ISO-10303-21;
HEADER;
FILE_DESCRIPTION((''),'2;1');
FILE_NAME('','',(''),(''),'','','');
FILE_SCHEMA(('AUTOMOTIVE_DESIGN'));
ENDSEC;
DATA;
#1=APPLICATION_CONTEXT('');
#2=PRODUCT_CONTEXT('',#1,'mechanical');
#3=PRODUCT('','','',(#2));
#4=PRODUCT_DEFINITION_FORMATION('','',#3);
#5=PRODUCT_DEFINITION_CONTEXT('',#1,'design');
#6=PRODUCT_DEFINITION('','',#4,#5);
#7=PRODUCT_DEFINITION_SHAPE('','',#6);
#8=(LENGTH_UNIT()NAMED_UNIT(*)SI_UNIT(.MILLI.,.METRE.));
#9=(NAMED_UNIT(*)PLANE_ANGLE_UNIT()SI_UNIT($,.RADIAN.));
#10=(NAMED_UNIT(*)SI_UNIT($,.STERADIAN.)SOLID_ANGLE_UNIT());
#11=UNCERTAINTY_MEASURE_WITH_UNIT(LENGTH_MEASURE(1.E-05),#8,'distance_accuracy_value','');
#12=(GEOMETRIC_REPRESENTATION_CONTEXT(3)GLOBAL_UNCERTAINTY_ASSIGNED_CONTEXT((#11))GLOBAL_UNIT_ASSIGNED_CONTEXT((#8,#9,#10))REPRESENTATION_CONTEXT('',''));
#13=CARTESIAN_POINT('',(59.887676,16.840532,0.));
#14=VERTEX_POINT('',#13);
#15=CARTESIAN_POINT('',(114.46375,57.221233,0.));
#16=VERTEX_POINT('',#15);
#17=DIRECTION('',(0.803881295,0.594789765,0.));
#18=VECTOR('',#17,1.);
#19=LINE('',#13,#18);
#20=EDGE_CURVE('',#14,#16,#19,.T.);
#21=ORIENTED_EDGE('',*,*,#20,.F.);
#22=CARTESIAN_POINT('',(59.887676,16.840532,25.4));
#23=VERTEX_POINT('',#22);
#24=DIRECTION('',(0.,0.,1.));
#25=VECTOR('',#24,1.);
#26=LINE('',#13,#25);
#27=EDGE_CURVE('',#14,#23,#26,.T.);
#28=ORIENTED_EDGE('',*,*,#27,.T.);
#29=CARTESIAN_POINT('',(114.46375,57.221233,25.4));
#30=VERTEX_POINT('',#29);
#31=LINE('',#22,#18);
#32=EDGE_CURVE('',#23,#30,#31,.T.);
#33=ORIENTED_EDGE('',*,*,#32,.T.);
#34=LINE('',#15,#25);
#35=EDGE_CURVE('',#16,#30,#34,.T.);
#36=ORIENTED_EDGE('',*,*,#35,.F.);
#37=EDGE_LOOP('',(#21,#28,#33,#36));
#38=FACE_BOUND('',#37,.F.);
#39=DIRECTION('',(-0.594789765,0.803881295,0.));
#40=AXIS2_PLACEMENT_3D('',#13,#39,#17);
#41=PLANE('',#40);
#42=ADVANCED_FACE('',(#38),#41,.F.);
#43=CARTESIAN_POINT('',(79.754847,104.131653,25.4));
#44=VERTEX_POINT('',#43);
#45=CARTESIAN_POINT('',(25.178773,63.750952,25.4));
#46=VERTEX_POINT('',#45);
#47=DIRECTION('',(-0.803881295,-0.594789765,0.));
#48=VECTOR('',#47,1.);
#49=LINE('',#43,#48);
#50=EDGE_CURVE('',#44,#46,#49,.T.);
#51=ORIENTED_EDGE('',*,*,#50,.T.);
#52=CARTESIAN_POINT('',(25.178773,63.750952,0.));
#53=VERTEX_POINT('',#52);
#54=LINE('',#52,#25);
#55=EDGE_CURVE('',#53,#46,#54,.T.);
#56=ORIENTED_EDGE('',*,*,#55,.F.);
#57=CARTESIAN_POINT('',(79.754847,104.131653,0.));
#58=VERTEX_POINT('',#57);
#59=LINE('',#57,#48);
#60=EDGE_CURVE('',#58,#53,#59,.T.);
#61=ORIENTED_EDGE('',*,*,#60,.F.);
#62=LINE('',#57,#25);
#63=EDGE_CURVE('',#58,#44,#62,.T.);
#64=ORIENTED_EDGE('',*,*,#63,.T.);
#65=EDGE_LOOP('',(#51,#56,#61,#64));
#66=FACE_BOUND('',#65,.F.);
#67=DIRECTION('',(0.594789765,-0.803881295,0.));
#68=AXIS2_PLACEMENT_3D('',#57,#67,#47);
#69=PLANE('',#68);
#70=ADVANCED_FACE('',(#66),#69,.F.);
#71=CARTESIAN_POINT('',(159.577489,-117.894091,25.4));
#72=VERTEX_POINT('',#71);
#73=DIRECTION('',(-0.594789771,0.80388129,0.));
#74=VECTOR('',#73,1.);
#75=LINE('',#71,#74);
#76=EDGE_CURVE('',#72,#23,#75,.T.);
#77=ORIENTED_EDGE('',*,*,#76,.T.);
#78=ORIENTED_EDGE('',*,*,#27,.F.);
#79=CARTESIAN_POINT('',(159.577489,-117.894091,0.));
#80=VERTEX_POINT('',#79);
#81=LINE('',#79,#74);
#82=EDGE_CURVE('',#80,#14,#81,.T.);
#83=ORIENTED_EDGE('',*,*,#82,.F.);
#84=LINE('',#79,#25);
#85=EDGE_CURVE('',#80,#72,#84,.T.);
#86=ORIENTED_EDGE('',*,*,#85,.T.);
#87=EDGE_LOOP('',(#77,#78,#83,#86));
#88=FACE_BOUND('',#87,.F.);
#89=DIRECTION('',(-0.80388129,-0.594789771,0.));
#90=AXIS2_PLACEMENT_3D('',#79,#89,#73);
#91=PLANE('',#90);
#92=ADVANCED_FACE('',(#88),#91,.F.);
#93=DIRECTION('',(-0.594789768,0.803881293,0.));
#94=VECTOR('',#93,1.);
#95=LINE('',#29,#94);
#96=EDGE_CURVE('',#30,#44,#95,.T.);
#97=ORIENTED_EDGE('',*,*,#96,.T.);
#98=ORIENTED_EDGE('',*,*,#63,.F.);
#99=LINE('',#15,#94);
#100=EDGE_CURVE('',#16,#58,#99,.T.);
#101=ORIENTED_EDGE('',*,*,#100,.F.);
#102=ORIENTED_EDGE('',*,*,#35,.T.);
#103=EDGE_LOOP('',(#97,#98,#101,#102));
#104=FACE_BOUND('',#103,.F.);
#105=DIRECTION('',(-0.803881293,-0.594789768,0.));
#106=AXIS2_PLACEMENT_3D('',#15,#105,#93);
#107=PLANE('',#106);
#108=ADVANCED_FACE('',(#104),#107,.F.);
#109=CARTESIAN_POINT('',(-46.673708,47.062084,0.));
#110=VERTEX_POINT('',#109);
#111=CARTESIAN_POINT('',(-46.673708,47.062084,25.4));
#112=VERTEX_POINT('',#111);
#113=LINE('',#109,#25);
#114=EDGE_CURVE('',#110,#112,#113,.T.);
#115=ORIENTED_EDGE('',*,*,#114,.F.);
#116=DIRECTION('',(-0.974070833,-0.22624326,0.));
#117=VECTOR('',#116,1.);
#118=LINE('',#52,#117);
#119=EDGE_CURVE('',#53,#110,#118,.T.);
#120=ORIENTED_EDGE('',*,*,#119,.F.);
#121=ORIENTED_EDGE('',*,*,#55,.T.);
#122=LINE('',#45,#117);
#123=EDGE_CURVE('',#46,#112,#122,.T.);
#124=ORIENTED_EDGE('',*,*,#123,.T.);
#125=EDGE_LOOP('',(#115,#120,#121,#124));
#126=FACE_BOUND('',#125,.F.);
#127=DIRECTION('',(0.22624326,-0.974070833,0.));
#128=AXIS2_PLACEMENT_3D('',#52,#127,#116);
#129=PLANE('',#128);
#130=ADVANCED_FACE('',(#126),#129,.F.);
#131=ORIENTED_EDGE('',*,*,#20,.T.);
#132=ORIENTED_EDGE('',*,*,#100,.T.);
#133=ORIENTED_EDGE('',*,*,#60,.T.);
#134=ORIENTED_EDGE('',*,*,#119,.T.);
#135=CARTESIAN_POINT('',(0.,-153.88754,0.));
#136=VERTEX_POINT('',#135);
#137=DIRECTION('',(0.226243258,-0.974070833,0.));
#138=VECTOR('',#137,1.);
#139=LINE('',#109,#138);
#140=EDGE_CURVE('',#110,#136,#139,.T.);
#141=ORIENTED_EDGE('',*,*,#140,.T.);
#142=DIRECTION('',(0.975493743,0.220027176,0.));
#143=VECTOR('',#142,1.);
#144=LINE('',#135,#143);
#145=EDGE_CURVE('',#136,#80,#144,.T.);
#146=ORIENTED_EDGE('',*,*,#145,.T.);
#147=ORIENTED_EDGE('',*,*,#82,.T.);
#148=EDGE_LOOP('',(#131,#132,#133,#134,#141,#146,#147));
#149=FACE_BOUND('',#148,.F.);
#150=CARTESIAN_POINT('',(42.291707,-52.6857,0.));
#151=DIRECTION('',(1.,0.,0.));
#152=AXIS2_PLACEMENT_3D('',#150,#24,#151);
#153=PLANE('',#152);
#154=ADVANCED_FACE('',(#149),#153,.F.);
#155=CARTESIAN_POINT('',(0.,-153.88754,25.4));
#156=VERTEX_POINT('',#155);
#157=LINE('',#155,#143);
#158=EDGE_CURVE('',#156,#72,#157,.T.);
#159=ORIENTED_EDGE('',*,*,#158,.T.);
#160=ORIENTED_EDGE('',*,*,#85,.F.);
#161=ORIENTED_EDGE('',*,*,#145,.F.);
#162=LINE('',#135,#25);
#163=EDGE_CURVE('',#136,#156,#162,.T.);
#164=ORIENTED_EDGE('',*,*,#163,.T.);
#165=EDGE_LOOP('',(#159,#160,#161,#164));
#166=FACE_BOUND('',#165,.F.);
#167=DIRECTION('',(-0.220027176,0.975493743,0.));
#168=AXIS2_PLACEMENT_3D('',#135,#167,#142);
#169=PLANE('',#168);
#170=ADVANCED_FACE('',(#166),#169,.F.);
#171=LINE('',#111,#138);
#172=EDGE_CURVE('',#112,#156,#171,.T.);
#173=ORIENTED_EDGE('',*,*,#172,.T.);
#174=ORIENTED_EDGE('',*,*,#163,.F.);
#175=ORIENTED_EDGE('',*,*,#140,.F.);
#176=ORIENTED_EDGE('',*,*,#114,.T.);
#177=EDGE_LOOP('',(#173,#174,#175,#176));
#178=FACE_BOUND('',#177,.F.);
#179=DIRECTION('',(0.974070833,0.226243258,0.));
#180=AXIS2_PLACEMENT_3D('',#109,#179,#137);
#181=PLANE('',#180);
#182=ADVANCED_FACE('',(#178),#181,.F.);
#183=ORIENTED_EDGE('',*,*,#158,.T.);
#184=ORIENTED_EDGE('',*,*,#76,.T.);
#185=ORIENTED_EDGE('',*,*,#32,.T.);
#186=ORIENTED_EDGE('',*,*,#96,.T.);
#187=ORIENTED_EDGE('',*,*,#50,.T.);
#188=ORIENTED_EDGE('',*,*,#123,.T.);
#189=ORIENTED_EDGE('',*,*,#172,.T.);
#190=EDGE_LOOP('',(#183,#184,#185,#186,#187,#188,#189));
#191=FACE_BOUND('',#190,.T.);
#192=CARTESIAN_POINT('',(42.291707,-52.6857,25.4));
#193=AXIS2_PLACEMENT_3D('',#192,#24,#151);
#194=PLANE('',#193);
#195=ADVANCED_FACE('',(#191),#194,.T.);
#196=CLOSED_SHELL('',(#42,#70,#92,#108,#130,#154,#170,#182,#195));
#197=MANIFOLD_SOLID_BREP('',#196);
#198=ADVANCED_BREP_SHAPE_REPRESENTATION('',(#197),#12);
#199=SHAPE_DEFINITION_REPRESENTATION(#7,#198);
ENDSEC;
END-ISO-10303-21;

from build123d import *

# Parameters (mm, degrees)
F1_DEPTH = 25.4


with BuildPart() as f1:
    # F0 (on Top) → F1 (new body)
    with BuildSketch(Plane.XY):
        Polygon((-46.673708, 47.062084), (0, -153.88754), (159.577489, -117.894091), (59.887676, 16.840532), (25.178773, 63.750952), align=None)
        Polygon((79.754847, 104.131653), (25.178773, 63.750952), (59.887676, 16.840532), (114.46375, 57.221233), align=None)
    extrude(amount=F1_DEPTH)


solid = f1.part
